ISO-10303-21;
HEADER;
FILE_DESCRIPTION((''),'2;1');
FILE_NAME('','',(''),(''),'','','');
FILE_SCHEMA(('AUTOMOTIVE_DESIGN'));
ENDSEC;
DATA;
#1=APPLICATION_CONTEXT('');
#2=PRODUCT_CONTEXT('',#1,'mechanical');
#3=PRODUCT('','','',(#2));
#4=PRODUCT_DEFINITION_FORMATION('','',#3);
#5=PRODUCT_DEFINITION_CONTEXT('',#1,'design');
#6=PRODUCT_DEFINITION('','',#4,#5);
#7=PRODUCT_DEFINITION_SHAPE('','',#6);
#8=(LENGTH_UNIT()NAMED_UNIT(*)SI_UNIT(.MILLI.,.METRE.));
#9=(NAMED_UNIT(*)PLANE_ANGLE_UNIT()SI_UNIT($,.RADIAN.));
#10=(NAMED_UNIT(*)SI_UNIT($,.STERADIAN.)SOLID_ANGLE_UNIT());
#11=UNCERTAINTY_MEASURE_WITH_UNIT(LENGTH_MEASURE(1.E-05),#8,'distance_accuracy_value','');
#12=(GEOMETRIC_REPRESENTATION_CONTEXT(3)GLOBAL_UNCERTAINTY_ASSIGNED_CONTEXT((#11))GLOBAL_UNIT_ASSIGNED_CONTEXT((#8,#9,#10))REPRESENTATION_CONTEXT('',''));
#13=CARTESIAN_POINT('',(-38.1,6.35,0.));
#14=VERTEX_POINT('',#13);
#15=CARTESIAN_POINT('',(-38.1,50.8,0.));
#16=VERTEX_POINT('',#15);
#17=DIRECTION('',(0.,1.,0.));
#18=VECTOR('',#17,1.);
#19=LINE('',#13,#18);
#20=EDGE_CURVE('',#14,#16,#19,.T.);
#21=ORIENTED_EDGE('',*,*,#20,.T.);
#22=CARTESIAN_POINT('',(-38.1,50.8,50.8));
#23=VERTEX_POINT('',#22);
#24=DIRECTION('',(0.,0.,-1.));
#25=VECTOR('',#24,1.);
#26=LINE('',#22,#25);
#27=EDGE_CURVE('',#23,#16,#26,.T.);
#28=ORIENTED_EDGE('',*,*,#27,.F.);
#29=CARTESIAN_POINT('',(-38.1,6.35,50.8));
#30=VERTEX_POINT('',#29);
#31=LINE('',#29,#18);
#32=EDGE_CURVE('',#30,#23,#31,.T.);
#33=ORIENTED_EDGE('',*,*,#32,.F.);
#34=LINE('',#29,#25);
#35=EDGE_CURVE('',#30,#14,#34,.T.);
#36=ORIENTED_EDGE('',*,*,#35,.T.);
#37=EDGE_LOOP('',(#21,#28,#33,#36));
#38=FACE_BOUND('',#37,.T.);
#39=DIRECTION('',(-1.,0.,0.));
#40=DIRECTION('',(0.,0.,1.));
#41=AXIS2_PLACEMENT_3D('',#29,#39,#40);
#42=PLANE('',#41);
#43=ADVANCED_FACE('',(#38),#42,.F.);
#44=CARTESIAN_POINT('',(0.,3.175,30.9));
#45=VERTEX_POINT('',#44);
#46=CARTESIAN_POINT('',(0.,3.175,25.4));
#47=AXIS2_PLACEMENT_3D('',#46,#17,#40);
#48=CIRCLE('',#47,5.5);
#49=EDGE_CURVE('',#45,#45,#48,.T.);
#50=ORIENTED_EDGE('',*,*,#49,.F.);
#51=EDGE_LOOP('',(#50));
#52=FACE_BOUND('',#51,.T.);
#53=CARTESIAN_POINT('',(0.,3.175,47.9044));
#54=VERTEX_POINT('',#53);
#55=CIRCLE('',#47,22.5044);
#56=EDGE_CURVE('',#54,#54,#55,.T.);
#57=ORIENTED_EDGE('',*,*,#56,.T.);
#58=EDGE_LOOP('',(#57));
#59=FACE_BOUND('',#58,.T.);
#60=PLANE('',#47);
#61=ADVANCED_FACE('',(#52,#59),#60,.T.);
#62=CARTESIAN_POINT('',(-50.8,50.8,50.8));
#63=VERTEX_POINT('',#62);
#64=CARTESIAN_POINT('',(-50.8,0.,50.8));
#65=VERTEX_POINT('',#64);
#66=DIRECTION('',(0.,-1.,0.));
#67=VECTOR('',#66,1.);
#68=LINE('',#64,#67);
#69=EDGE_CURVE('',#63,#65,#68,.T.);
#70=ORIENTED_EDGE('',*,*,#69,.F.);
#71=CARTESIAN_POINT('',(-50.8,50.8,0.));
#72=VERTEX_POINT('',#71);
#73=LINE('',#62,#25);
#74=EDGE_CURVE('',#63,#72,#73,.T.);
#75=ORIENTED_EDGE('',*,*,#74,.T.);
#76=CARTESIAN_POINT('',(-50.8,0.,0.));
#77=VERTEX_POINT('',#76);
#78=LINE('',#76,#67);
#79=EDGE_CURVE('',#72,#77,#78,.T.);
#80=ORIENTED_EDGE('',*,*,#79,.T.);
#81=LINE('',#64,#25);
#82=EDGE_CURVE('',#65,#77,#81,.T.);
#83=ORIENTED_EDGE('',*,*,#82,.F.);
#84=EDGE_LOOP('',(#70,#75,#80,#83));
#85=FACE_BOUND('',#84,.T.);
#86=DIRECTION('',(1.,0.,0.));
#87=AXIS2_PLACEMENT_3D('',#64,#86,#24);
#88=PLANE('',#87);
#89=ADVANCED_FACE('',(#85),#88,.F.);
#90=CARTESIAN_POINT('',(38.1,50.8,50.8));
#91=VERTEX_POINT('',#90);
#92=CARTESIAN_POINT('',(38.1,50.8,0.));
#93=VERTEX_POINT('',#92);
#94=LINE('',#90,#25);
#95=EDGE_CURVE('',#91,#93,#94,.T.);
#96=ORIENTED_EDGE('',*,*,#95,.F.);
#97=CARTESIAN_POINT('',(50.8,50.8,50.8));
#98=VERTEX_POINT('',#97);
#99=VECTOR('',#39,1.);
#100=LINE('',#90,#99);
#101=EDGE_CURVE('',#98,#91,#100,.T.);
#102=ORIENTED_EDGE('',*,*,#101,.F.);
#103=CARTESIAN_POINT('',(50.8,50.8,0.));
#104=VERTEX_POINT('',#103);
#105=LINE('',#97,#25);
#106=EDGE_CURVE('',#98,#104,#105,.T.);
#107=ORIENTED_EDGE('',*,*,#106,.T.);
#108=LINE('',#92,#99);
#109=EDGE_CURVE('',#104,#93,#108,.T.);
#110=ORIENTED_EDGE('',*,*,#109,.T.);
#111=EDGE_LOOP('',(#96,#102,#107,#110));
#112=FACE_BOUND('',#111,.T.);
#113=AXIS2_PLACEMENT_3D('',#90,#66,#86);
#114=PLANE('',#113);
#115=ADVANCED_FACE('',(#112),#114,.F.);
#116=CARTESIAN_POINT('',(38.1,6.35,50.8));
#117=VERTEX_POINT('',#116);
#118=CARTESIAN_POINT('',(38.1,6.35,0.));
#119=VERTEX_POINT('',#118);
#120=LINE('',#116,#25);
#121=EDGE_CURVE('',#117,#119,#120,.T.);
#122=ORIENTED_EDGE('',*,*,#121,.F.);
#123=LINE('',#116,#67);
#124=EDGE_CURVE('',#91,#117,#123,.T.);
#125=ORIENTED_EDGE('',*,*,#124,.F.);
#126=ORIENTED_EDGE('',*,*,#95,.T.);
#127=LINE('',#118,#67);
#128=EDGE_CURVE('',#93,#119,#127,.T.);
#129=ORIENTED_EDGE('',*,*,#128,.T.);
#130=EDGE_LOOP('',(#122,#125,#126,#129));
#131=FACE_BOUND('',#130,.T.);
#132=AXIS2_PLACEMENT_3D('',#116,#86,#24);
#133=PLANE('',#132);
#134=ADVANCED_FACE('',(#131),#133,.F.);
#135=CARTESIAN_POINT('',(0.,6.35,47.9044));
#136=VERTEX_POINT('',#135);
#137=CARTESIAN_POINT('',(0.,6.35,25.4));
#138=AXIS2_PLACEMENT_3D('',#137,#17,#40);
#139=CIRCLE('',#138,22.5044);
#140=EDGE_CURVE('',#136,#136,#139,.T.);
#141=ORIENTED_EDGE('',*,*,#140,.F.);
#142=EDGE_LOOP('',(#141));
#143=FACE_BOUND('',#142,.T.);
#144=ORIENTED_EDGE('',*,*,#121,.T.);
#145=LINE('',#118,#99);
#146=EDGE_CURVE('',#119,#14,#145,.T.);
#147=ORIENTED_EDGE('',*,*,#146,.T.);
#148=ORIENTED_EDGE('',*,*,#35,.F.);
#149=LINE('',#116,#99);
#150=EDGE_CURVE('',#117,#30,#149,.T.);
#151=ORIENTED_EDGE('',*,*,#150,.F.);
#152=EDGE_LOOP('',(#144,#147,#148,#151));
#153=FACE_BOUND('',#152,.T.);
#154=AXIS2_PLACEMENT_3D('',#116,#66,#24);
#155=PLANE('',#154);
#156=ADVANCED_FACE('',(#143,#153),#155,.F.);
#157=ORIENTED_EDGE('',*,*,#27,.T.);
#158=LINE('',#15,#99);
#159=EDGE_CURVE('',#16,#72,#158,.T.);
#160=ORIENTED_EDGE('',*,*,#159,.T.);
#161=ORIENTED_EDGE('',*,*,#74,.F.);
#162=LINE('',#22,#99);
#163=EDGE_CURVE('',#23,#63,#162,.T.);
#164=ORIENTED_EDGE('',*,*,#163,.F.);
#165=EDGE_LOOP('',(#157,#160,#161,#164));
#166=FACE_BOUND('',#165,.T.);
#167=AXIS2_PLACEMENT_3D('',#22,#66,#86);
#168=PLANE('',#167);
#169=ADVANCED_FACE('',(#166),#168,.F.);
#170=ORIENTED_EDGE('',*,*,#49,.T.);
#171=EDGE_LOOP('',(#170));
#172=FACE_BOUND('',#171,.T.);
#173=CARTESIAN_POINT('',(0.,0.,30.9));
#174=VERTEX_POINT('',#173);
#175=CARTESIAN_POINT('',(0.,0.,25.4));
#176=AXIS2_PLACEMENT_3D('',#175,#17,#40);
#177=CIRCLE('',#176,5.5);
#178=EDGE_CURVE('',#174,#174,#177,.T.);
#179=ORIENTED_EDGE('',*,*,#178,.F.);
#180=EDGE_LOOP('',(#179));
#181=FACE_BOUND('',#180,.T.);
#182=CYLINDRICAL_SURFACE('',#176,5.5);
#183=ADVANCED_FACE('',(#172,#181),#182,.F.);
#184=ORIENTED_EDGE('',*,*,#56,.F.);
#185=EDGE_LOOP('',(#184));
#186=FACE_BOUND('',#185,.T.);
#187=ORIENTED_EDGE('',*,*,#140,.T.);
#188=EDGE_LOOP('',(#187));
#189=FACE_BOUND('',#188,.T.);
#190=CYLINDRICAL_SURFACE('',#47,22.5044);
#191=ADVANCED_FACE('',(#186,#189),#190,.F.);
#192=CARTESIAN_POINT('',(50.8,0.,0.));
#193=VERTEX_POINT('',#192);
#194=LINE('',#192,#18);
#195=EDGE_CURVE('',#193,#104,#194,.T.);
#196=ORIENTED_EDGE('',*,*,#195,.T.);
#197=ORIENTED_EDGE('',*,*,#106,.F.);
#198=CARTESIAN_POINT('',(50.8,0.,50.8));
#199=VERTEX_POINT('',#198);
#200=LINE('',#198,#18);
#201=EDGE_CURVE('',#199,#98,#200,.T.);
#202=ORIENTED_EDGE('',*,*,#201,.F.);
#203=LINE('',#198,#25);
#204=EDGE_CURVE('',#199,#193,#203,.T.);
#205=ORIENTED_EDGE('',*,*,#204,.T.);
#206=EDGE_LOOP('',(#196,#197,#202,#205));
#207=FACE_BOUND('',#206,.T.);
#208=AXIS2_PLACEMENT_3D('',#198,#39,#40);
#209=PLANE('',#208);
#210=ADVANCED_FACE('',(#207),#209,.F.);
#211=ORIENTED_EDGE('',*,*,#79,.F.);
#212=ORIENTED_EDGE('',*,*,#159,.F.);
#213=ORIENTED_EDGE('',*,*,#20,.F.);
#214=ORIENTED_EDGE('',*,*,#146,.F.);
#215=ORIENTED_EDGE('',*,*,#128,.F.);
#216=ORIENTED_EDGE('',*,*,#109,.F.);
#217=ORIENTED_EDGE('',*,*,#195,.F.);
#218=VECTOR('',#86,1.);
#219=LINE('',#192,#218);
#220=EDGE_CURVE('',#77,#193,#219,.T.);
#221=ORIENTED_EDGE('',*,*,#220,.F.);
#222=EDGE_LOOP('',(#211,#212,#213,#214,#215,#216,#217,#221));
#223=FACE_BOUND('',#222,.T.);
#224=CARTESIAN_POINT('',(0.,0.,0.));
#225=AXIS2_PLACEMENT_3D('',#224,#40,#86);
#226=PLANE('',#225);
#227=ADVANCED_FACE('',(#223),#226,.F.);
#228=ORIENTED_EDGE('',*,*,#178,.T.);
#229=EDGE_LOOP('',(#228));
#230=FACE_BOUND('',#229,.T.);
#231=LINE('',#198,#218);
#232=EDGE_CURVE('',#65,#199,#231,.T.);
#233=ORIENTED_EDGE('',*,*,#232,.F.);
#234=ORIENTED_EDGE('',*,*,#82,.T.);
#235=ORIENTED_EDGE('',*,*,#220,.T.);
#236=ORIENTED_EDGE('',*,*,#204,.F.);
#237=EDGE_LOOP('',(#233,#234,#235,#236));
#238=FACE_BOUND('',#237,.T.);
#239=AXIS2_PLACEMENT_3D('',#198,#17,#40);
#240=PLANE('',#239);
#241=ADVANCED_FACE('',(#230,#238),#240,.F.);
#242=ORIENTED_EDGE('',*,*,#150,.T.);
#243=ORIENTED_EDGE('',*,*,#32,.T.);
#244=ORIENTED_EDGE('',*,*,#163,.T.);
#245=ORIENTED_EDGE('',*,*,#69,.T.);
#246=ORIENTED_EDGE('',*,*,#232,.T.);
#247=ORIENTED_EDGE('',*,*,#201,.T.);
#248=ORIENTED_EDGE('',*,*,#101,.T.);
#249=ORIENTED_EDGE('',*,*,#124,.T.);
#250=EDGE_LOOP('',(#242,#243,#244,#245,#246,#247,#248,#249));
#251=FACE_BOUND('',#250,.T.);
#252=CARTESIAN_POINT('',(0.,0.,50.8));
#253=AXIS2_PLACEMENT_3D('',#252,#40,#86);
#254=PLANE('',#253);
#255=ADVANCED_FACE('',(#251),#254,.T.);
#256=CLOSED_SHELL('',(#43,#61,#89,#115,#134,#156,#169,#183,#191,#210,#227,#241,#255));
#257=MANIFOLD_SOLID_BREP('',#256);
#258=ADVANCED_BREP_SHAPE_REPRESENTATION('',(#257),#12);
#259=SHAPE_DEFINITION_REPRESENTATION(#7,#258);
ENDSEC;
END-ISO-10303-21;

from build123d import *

# Parameters (mm, degrees)
BOSS_EXTRUDE1_DEPTH = 50.8
SKETCH2_R           = 22.5044
CUT_EXTRUDE1_DEPTH  = 3.175
SKETCH3_R           = 5.5
CUT_EXTRUDE2_DEPTH  = 4.175


with BuildPart() as part:
    # Sketch1 → Boss-Extrude1 (new body)
    with BuildSketch(Plane.XY):
        Polygon((50.8, 0), (-50.8, 0), (-50.8, 50.8), (-38.1, 50.8), (-38.1, 6.35), (38.1, 6.35), (38.1, 50.8), (50.8, 50.8), align=None)
    extrude(amount=BOSS_EXTRUDE1_DEPTH)

    # Sketch2 → Cut-Extrude1 (cut)
    with BuildSketch(Plane(origin=(0, 6.35, 0), x_dir=(1, 0, 0), z_dir=(0, 1, 0))):
        with Locations((0, -25.4)):
            Circle(SKETCH2_R)
    extrude(amount=-CUT_EXTRUDE1_DEPTH, mode=Mode.SUBTRACT)

    # Sketch3 → Cut-Extrude2 (cut, through all)
    with BuildSketch(Plane(origin=(0, 3.175, 0), x_dir=(1, 0, 0), z_dir=(0, 1, 0))):
        with Locations((0, -25.4)):
            Circle(SKETCH3_R)
    extrude(amount=-CUT_EXTRUDE2_DEPTH, mode=Mode.SUBTRACT)


solid = part.part
